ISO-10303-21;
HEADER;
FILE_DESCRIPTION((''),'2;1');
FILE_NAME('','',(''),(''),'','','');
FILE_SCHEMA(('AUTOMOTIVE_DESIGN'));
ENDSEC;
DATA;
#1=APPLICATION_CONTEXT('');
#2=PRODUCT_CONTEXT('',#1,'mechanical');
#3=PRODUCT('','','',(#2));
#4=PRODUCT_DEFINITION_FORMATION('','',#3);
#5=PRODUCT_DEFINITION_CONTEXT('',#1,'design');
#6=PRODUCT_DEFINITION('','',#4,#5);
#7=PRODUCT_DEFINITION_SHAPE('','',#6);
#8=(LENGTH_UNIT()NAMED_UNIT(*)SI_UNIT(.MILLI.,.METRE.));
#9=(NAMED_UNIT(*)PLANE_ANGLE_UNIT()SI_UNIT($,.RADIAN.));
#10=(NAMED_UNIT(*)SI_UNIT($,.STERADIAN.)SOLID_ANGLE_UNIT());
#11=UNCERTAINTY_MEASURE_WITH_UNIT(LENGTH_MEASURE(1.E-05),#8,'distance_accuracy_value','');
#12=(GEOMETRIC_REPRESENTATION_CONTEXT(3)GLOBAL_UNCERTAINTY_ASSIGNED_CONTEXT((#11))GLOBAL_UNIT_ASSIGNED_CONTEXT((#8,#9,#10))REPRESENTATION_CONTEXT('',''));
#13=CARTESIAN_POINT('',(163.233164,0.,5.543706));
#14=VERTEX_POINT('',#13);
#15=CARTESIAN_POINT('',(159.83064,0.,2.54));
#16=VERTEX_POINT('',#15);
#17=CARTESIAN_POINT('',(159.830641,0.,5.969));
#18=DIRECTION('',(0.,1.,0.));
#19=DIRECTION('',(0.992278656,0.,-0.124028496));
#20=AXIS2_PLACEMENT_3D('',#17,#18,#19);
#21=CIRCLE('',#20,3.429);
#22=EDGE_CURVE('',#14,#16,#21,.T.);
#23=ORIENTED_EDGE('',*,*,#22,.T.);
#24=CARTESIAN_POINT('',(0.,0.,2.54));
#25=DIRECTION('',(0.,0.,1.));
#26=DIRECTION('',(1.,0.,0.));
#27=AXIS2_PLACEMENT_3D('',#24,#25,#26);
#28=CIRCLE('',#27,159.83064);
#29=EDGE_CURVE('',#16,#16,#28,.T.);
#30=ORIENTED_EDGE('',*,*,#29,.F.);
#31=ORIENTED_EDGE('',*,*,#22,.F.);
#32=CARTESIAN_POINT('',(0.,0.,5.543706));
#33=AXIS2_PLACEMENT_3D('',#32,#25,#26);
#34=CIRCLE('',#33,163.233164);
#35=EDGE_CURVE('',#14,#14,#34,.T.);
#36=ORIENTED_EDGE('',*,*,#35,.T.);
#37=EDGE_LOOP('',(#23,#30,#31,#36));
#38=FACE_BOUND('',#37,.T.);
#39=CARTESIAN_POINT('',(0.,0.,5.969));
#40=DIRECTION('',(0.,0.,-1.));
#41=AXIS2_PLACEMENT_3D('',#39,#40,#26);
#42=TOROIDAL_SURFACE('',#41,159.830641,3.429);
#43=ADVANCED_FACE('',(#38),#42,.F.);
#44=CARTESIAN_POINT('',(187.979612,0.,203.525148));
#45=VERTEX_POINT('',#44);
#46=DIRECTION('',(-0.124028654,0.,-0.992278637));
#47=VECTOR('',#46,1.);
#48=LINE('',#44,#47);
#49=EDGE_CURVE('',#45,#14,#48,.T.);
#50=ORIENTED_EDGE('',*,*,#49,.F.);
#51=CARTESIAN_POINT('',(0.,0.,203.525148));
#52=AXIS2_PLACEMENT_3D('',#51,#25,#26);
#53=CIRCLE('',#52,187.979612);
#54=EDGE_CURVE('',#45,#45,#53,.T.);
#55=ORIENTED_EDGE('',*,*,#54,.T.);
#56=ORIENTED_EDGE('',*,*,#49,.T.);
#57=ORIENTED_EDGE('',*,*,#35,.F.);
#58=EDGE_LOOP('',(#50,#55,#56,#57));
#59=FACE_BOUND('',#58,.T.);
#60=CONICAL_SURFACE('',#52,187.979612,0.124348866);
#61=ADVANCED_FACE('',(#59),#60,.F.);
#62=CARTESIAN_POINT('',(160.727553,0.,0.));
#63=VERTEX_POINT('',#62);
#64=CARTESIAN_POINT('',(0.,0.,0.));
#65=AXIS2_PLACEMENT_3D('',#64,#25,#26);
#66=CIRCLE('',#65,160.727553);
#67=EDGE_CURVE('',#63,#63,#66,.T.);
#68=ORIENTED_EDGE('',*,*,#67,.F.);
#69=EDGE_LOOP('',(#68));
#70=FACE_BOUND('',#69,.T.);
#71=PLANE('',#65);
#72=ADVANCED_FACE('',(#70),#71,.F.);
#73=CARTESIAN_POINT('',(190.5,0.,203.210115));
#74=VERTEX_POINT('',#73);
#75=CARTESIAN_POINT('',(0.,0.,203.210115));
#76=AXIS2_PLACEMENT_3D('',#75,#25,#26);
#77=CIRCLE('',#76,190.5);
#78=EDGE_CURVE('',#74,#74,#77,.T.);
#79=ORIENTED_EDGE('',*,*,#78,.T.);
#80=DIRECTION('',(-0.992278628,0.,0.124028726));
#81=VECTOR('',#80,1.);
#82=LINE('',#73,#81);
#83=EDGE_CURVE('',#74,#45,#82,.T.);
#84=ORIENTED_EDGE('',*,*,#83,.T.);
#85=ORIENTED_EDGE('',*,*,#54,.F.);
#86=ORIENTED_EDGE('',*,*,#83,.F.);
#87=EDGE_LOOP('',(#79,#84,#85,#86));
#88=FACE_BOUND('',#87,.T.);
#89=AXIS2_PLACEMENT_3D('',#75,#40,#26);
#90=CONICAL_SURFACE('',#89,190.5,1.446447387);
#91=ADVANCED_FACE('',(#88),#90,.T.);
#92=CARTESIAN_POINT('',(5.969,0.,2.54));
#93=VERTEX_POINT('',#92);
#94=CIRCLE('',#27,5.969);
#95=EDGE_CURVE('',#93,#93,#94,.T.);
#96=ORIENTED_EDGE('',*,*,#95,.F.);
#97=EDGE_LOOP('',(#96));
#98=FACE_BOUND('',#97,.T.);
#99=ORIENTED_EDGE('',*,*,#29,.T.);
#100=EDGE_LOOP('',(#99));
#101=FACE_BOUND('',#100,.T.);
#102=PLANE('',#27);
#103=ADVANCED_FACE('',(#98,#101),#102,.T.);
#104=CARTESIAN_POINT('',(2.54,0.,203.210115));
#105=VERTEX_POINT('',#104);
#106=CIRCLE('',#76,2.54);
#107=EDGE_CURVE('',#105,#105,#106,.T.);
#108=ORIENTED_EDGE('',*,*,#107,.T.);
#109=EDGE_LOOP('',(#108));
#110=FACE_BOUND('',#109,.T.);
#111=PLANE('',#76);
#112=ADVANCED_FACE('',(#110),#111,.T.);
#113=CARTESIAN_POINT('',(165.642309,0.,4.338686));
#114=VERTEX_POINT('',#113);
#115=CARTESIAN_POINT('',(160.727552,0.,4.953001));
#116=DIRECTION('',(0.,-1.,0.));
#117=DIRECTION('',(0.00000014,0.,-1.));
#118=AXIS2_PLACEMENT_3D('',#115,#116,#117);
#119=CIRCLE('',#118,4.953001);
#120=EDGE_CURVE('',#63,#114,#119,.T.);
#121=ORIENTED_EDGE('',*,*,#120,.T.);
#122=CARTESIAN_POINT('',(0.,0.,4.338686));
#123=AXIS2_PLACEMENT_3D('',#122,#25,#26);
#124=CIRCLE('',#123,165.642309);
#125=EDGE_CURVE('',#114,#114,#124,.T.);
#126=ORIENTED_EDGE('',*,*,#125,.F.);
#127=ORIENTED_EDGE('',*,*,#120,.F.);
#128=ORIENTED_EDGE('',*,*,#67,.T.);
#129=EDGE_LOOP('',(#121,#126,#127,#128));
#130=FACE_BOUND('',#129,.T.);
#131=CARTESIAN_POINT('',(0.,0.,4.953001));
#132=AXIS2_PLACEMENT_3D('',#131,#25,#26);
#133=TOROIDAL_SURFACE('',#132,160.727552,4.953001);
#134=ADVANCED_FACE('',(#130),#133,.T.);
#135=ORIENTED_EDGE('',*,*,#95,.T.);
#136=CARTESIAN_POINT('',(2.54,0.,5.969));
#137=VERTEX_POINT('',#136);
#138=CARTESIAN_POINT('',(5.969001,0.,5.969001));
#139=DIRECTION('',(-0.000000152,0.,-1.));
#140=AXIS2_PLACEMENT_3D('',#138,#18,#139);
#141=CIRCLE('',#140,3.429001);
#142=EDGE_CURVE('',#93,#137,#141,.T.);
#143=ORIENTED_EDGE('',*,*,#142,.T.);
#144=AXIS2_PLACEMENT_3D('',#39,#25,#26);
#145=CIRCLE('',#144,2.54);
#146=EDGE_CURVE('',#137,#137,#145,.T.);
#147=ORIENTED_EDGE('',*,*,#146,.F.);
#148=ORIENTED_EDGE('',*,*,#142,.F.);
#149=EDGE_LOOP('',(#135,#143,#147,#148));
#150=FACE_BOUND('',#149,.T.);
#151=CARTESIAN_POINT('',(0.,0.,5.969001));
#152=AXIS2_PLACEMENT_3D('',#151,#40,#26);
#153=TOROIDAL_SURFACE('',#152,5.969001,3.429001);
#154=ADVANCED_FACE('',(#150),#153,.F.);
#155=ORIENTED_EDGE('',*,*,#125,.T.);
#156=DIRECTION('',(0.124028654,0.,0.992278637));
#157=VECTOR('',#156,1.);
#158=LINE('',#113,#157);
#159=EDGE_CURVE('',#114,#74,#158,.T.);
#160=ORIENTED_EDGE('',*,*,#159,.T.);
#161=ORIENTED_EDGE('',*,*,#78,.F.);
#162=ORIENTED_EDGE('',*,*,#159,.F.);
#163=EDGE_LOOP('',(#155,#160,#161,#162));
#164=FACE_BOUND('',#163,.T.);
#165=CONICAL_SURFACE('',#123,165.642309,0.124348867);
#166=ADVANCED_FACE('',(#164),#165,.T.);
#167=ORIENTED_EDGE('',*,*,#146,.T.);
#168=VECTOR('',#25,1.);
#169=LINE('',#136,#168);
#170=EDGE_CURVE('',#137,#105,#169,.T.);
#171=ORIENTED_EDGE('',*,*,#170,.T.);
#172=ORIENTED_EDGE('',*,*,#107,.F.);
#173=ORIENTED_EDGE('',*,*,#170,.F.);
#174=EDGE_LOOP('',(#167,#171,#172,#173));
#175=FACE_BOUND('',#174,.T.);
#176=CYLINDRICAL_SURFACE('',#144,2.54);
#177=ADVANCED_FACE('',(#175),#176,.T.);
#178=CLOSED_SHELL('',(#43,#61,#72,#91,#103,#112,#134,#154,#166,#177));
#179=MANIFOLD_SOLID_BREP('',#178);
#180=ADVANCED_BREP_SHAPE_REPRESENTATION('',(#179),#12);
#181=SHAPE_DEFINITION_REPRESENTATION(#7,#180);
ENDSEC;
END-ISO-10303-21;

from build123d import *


with BuildPart() as f1:
    # F0 (on Front) → F1 (revolve)
    with BuildSketch(Plane.XZ):
        with BuildLine():
            Line((0, 203.210115), (0, 0))
            Line((0, 0), (160.727553, 0))
            ThreePointArc((160.727553, 0), (164.005472, 1.239854), (165.642309, 4.338686))
            Line((165.642309, 4.338686), (190.5, 203.210115))
            Line((190.5, 203.210115), (187.979612, 203.525148))
            Line((187.979612, 203.525148), (163.233164, 5.543706))
            ThreePointArc((163.233164, 5.543706), (162.099969, 3.39836), (159.83064, 2.54))
            Line((159.83064, 2.54), (5.969, 2.54))
            ThreePointArc((5.969, 2.54), (3.544331, 3.544331), (2.54, 5.969))
            Line((2.54, 5.969), (2.54, 203.210115))
            Line((2.54, 203.210115), (0, 203.210115))
        make_face()
    revolve(axis=Axis((0, 0, 101.605058), (0, 0, 1)))


solid = f1.part
